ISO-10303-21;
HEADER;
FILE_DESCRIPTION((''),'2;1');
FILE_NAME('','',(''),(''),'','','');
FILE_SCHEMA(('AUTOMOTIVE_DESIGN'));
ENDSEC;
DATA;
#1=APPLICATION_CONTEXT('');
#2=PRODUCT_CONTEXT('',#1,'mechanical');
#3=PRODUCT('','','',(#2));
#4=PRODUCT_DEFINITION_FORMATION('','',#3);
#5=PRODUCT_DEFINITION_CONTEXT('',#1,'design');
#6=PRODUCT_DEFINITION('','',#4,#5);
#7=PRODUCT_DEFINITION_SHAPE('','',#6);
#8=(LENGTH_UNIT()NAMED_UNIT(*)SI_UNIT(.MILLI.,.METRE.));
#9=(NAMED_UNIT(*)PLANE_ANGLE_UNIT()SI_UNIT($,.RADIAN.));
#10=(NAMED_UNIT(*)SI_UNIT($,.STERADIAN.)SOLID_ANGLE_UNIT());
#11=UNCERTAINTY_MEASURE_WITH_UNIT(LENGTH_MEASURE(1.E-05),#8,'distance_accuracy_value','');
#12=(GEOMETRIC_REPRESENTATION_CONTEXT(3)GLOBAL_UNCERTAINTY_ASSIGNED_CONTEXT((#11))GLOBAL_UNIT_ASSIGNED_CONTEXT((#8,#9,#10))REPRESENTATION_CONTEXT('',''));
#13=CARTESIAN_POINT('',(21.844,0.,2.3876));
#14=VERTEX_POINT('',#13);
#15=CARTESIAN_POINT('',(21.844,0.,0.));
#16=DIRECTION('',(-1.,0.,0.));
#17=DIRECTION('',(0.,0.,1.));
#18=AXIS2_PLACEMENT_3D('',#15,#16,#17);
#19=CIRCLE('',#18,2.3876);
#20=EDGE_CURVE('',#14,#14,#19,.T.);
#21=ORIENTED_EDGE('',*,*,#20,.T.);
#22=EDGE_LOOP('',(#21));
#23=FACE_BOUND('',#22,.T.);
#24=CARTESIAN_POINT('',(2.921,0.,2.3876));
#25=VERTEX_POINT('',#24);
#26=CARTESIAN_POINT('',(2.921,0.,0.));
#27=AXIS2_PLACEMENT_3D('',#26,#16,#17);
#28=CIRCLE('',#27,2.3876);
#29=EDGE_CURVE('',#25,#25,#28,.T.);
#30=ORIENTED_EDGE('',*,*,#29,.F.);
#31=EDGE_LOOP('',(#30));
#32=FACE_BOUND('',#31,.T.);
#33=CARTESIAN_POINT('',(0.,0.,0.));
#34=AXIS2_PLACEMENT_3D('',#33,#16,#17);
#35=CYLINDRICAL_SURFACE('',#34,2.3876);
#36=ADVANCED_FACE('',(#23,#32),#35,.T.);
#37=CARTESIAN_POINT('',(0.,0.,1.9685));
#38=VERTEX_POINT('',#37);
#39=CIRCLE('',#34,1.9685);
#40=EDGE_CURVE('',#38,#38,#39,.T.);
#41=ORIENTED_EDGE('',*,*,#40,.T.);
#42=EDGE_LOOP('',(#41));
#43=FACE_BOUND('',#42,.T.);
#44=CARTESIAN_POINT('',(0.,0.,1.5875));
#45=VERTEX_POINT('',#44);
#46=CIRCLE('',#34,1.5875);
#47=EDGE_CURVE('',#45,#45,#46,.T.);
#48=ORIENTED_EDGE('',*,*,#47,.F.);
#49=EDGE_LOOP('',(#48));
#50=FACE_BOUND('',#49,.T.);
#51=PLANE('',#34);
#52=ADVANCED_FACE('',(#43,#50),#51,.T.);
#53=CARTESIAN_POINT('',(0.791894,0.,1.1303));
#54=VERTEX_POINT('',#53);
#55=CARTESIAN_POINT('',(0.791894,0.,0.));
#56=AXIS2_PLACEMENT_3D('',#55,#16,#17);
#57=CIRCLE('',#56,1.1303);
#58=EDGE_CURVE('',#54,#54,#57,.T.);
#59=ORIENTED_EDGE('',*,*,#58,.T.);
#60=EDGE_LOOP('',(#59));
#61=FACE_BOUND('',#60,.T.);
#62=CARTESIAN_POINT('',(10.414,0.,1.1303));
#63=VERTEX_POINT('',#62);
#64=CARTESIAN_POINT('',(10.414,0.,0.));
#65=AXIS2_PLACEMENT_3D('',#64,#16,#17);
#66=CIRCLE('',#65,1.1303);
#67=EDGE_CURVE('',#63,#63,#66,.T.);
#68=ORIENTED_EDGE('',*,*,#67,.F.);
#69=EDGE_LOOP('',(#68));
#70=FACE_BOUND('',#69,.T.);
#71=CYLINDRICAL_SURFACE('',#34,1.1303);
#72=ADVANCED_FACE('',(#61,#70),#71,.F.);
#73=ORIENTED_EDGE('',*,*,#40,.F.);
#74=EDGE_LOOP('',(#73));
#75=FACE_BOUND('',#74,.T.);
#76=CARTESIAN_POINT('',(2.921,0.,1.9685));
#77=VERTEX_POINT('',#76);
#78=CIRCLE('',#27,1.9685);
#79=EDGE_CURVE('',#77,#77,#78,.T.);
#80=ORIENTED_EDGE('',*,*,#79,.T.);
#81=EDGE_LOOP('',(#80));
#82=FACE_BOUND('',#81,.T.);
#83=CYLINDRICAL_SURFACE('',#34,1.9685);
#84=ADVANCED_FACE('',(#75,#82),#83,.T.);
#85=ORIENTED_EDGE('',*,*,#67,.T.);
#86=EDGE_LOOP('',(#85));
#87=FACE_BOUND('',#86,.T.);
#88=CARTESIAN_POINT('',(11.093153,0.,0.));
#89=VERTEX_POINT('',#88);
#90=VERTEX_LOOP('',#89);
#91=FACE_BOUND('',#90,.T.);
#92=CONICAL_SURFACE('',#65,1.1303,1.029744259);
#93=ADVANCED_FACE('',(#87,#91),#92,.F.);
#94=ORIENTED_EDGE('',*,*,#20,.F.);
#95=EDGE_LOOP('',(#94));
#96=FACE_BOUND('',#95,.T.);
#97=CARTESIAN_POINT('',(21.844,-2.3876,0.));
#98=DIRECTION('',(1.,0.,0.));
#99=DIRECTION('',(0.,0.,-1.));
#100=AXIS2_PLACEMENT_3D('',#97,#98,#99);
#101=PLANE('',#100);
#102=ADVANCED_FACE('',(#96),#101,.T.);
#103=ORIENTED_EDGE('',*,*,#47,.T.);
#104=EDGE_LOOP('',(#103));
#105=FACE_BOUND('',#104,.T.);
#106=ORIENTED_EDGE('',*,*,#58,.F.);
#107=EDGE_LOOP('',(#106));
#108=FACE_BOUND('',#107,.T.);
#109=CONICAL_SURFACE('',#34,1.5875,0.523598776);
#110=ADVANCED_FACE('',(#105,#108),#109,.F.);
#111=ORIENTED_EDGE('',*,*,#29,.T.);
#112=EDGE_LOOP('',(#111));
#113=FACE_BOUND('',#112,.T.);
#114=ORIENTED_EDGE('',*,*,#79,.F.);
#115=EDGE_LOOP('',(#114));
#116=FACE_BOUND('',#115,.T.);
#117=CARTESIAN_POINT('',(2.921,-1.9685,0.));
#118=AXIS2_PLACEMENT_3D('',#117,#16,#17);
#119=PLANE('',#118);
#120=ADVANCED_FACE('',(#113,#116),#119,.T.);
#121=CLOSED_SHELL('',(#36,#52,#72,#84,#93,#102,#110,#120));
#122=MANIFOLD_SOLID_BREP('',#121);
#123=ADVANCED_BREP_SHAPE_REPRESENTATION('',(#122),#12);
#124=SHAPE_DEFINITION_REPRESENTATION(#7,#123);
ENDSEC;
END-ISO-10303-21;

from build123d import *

# Parameters (mm, degrees)
F_4_40_TAPPED_HOLE1_D           = 2.2606
F_4_40_TAPPED_HOLE1_DEPTH       = 10.414
F_4_40_TAPPED_HOLE1_CSINK_D     = 3.175
F_4_40_TAPPED_HOLE1_CSINK_ANGLE = 60
F_4_40_TAPPED_HOLE1_TIP         = 0.679152758


with BuildPart() as part:
    # Sketch3 → Revolve1 (revolve)
    with BuildSketch(Plane.XY, mode=Mode.PRIVATE) as revolve1_sk:
        Polygon((0, 0), (0, -1.9685), (2.921, -1.9685), (2.921, -2.3876), (21.844, -2.3876), (21.844, 0), align=None)
    revolve(revolve1_sk.sketch.rotate(Axis((0, 0, 0), (1, 0, 0)), 270), axis=Axis((0, 0, 0), (1, 0, 0)))

    # #4-40 Tapped Hole1
    with Locations(Plane.ZY):
        with Locations((0, 0)):
            CounterSinkHole(F_4_40_TAPPED_HOLE1_D / 2, F_4_40_TAPPED_HOLE1_CSINK_D / 2, depth=F_4_40_TAPPED_HOLE1_DEPTH, counter_sink_angle=F_4_40_TAPPED_HOLE1_CSINK_ANGLE)
            with Locations((0, 0, -(F_4_40_TAPPED_HOLE1_DEPTH + F_4_40_TAPPED_HOLE1_TIP / 2))):  # 118° drill point
                Cone(0, F_4_40_TAPPED_HOLE1_D / 2, F_4_40_TAPPED_HOLE1_TIP, mode=Mode.SUBTRACT)


solid = part.part
